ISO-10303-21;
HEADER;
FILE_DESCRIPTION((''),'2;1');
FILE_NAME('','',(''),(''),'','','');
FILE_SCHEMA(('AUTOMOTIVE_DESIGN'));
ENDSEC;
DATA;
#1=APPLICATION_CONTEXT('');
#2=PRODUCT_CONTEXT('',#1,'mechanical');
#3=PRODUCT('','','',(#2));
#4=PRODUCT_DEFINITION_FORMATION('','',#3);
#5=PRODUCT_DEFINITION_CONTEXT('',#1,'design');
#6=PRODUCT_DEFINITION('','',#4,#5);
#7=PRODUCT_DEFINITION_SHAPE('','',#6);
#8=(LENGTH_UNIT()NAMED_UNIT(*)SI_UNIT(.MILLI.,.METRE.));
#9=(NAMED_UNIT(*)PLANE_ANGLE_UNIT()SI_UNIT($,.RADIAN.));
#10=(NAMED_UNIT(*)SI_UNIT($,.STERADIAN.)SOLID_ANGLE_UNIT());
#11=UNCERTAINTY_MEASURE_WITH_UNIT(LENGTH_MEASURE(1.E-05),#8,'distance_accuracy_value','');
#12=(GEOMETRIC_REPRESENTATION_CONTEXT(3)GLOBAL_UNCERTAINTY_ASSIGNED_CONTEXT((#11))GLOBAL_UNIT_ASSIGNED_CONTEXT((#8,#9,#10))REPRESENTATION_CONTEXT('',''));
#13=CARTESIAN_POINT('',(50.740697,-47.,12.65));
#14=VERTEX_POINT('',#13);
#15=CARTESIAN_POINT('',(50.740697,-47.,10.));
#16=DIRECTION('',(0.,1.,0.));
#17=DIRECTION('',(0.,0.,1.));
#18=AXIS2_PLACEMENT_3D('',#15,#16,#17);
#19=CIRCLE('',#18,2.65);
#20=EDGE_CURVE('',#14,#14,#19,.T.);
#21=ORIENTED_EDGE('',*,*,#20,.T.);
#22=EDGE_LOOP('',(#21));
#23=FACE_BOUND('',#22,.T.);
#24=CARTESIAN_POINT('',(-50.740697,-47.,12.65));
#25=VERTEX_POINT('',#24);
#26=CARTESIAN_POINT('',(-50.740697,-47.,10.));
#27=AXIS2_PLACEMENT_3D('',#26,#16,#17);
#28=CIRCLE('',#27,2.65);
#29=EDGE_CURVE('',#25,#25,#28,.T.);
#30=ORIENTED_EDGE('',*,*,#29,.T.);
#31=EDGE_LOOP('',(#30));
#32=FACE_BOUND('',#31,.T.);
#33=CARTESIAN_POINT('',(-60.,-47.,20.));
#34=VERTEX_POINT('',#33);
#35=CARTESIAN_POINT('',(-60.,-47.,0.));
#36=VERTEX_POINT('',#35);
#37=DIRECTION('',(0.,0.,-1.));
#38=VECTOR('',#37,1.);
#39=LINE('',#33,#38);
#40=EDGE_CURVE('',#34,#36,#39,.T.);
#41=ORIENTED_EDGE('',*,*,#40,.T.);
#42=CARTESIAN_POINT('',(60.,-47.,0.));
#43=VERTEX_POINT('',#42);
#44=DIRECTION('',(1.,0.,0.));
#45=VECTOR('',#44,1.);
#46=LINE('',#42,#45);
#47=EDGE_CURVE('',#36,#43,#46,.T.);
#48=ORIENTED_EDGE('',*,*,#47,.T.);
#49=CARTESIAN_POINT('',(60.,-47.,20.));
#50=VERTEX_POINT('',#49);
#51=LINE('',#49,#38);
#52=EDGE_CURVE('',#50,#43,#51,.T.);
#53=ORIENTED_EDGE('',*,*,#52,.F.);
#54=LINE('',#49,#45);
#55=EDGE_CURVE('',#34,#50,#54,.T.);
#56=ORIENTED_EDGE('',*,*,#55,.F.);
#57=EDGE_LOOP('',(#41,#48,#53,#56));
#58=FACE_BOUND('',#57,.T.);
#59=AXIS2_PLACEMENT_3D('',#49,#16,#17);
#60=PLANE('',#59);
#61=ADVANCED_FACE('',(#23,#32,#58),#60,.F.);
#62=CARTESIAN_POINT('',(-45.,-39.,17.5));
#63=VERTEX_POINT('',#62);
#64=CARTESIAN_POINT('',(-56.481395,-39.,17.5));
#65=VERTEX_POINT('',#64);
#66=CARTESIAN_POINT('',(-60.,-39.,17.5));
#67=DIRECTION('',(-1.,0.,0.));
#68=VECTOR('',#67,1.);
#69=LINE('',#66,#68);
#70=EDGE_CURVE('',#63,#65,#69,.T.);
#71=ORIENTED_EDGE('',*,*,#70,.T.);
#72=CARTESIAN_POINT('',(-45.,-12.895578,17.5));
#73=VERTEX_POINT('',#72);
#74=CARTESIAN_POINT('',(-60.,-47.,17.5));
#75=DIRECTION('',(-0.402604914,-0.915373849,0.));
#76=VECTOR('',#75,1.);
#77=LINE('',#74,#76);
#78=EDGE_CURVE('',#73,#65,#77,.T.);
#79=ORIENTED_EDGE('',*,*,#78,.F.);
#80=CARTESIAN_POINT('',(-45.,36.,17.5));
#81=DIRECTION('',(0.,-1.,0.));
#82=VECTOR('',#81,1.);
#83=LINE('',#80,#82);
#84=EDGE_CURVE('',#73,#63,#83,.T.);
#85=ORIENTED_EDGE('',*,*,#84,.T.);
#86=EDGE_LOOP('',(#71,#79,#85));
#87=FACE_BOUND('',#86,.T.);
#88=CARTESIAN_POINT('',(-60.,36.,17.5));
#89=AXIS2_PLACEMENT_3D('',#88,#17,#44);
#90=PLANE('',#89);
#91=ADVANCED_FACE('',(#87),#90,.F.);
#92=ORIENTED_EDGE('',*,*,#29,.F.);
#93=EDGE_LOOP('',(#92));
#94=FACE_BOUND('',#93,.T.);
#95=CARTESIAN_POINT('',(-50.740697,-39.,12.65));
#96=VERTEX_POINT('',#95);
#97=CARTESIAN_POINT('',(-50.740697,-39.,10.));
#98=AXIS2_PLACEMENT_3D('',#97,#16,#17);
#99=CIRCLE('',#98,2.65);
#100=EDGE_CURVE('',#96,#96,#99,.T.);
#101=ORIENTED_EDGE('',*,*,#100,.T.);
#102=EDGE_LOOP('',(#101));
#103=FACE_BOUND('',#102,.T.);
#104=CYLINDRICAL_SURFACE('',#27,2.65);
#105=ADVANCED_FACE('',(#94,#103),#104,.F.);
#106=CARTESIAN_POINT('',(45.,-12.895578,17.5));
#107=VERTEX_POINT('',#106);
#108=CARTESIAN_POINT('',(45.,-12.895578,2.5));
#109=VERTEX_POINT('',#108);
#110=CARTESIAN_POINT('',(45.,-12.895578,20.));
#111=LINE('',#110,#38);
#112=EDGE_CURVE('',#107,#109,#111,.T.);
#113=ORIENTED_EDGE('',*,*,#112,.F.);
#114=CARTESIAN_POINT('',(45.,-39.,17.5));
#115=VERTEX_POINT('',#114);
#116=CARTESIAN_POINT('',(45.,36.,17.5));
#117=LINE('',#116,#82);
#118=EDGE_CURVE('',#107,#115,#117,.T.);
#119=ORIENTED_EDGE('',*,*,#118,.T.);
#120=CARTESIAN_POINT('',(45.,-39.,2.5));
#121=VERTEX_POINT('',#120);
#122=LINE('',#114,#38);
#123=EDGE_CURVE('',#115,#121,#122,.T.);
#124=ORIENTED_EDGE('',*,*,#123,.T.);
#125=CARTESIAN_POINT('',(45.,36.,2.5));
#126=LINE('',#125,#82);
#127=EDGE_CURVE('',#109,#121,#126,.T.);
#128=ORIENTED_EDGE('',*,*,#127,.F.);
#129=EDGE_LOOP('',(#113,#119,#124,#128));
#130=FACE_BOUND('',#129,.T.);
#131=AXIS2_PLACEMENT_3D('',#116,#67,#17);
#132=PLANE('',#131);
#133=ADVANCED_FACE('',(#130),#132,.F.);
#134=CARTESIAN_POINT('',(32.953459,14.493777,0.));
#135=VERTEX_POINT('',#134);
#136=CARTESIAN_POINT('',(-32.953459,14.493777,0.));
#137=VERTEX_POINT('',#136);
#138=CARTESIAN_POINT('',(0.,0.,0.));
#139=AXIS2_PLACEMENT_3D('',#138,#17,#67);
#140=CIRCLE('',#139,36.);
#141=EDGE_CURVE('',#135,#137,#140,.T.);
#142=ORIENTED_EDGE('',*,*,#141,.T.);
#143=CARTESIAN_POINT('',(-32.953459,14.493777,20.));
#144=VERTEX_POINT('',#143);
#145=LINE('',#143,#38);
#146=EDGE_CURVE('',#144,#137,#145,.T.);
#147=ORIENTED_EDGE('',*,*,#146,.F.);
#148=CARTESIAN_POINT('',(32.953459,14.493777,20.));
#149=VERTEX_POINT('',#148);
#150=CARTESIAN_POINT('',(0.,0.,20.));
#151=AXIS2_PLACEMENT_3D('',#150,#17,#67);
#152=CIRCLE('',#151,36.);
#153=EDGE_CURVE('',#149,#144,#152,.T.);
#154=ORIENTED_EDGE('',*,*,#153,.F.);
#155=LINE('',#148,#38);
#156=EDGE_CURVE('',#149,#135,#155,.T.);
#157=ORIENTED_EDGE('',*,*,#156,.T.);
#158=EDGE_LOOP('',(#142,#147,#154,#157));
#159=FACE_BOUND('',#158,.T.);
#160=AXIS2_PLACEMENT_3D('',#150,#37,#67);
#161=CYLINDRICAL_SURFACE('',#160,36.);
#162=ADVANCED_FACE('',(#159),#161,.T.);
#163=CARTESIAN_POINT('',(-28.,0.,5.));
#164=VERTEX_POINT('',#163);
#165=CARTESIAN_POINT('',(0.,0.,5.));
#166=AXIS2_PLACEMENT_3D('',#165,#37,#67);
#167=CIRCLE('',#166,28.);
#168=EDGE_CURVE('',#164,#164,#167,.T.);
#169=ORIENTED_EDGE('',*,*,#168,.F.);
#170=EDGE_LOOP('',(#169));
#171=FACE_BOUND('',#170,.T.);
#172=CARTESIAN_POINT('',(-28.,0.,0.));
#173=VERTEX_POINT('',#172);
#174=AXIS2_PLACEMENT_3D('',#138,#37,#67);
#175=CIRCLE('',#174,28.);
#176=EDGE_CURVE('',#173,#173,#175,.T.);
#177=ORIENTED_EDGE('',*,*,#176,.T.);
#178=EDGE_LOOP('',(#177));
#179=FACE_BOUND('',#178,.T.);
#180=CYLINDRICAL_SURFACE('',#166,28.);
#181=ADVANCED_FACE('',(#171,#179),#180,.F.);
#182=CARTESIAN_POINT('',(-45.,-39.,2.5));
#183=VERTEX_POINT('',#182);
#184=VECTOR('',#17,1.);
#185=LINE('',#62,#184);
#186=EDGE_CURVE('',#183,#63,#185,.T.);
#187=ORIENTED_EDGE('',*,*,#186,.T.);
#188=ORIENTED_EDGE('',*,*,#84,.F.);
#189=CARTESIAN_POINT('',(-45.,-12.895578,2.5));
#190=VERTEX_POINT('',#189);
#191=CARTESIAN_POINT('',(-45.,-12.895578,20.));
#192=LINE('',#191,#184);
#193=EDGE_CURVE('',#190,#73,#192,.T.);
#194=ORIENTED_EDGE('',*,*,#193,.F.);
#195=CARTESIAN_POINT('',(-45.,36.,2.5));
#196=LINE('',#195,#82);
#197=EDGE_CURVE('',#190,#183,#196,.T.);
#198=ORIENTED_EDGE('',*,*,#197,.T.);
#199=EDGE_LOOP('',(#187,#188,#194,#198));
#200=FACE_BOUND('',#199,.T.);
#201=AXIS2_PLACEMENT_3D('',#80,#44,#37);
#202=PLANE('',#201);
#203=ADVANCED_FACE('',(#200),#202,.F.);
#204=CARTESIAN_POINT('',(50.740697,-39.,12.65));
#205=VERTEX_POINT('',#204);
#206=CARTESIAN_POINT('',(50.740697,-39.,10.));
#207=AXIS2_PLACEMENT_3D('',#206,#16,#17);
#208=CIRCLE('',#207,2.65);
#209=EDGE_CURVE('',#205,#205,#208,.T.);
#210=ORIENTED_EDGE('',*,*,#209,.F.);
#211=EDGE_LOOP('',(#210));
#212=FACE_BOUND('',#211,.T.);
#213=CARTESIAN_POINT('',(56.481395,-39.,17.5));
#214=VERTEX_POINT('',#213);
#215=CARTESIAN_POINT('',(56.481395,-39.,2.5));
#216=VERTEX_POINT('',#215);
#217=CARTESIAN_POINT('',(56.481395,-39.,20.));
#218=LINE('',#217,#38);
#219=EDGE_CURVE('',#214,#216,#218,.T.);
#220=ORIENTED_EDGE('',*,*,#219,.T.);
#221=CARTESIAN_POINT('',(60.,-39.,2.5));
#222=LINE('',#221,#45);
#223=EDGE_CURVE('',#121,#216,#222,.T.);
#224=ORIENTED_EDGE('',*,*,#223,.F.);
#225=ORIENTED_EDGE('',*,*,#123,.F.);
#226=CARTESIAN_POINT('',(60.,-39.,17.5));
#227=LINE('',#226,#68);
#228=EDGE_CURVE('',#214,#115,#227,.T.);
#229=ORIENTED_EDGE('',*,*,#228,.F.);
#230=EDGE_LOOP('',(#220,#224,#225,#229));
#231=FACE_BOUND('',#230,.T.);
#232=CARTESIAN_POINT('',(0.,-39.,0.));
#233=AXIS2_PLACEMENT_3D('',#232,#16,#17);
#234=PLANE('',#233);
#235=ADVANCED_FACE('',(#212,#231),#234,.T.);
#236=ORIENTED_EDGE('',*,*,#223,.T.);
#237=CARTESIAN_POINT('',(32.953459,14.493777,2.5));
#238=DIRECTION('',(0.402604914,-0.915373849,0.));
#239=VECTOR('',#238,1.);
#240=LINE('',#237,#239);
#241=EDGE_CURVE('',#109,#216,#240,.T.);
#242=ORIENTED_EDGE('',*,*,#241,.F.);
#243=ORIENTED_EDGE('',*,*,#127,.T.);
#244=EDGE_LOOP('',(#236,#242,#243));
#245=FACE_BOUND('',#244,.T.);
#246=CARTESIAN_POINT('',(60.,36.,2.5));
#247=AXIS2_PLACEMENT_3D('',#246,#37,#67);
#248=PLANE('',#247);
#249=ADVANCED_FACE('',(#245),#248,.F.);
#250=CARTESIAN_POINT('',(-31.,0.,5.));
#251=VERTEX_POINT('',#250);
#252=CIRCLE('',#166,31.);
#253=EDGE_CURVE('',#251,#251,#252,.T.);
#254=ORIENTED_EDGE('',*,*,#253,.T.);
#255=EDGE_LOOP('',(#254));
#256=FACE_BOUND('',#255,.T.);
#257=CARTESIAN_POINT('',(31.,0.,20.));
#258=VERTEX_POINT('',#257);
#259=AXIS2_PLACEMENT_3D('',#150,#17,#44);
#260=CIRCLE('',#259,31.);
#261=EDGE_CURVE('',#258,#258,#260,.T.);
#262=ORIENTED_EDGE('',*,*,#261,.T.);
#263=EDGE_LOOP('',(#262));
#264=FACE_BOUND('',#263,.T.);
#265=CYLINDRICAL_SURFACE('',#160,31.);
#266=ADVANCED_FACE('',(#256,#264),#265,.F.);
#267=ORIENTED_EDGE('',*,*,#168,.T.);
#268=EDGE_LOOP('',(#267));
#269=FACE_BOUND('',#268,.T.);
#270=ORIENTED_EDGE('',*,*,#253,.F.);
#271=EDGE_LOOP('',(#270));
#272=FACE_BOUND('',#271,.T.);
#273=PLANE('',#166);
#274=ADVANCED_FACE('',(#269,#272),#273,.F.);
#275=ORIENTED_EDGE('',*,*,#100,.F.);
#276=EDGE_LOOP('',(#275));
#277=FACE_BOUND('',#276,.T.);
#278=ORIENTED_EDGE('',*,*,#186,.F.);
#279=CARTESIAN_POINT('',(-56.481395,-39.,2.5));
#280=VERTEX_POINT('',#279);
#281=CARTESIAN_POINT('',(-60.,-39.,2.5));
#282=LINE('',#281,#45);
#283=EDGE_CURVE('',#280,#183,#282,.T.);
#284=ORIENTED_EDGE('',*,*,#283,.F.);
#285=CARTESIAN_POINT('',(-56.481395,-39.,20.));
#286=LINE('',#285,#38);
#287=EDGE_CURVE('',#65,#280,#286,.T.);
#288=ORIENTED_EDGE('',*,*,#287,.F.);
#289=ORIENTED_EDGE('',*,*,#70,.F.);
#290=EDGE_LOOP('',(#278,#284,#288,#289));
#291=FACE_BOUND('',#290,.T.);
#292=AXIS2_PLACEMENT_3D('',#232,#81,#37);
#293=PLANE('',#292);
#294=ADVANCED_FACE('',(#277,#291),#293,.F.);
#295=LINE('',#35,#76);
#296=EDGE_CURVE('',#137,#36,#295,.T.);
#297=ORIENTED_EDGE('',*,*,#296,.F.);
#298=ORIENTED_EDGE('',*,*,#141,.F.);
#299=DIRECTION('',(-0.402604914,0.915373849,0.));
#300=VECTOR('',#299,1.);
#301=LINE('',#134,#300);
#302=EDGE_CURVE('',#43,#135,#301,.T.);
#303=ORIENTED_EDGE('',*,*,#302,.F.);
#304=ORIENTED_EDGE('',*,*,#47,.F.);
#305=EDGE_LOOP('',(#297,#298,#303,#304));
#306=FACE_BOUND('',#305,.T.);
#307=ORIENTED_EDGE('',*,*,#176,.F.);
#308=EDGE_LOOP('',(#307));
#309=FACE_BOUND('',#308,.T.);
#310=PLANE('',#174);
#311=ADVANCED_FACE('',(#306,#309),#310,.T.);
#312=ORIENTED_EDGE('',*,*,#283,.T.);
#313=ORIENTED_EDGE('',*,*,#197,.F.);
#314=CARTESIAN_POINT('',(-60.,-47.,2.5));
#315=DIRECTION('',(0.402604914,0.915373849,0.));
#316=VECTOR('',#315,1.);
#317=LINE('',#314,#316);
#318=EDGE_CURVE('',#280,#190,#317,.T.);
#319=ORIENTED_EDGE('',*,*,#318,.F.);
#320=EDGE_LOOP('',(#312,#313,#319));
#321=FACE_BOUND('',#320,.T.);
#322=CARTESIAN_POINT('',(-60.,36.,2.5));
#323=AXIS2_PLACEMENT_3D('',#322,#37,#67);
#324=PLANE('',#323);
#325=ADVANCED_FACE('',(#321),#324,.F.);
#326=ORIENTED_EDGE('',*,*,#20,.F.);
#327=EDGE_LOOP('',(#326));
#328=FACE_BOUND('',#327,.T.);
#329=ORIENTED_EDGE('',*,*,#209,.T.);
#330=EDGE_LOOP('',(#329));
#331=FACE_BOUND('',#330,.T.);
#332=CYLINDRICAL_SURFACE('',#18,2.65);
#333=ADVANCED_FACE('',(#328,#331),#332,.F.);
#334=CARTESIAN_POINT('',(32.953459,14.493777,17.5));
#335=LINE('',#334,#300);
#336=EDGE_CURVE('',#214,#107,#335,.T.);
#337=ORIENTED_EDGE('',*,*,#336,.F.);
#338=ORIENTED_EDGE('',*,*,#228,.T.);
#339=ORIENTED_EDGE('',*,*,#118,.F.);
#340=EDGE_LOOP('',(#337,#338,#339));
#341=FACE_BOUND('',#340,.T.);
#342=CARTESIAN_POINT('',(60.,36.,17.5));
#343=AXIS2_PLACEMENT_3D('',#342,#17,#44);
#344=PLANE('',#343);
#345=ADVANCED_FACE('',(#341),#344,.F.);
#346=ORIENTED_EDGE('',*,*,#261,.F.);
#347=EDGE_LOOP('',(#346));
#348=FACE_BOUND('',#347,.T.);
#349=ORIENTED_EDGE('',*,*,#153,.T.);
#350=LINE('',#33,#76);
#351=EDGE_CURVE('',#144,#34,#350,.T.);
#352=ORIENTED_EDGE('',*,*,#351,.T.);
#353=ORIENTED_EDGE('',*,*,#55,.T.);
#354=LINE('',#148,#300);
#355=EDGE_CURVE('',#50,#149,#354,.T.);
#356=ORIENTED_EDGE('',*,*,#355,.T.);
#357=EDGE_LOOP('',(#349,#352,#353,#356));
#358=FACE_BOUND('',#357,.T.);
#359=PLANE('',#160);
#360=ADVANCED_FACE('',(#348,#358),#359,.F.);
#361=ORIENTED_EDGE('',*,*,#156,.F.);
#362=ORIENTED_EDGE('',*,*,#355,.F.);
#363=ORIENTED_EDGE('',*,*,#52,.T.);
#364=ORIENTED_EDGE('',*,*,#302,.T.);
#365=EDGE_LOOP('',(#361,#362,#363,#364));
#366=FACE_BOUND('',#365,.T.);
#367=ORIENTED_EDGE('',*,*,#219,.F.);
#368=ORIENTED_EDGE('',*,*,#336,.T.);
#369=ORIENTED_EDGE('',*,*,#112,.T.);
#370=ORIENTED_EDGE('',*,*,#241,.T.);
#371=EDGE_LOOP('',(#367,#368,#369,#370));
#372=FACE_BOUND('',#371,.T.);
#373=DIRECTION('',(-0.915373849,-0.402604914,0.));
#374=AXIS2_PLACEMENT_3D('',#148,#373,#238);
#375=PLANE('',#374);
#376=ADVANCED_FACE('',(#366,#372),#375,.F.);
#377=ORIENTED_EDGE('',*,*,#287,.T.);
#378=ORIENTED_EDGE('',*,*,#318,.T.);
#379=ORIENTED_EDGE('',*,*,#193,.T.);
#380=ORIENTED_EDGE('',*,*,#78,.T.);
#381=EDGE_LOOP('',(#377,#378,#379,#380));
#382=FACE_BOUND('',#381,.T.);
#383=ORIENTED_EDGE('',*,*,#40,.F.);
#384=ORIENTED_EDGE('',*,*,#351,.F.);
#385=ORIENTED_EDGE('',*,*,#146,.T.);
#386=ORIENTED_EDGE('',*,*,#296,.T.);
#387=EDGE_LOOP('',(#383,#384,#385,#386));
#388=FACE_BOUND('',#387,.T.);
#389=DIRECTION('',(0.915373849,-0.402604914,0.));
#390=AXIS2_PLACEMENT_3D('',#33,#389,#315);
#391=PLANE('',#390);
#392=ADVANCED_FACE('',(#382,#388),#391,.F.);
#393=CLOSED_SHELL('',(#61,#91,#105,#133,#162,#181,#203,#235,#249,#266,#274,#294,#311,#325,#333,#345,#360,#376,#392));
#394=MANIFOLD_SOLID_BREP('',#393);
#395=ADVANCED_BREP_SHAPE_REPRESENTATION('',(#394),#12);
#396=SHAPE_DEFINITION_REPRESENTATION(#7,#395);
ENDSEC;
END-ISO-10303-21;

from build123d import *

# Parameters (mm, degrees)
SKETCH2_R           = 31
BOSS_EXTRUDE1_DEPTH = 20
SKETCH3_R           = 31
SKETCH3_R_2         = 28
BOSS_EXTRUDE2_DEPTH = 5
CUT_EXTRUDE1_START  = -8
SKETCH4_W           = 15
SKETCH4_H           = 15
CUT_EXTRUDE1_DEPTH  = 76
SKETCH5_R           = 2.65
CUT_EXTRUDE2_DEPTH  = 9


with BuildPart() as part:
    # Sketch2 → Boss-Extrude1 (new body)
    with BuildSketch(Plane.XY):
        with BuildLine():
            Line((-60, -47), (-32.953458565, 14.493776892))
            ThreePointArc((-32.953458565, 14.493776892), (0, 36), (32.953458565, 14.493776892))
            Line((32.953458565, 14.493776892), (60, -47))
            Line((60, -47), (-60, -47))
        make_face()
        Circle(SKETCH2_R, mode=Mode.SUBTRACT)
    extrude(amount=BOSS_EXTRUDE1_DEPTH)

    # Sketch3 → Boss-Extrude2 (add)
    with BuildSketch(Plane(origin=(0, 0, 0), x_dir=(-1, 0, 0), z_dir=(0, 0, -1))):
        Circle(SKETCH3_R)
        Circle(SKETCH3_R_2, mode=Mode.SUBTRACT)
    extrude(amount=-BOSS_EXTRUDE2_DEPTH)

    # Sketch4 → Cut-Extrude1 (cut, through all)
    with BuildSketch(Plane.XZ.offset(47).offset(CUT_EXTRUDE1_START)):
        with Locations((-52.5, 10)):
            Rectangle(SKETCH4_W, SKETCH4_H)
        with Locations((52.5, 10)):
            Rectangle(SKETCH4_W, SKETCH4_H)
    extrude(amount=-CUT_EXTRUDE1_DEPTH, mode=Mode.SUBTRACT)

    # Sketch5 → Cut-Extrude2 (cut, through all)
    with BuildSketch(Plane(origin=(0, -39, 0), x_dir=(1, 0, 0), z_dir=(0, 1, 0))):
        with Locations((-50.740697332, -10)):
            Circle(SKETCH5_R)
        with Locations((50.740697332, -10)):
            Circle(SKETCH5_R)
    extrude(amount=-CUT_EXTRUDE2_DEPTH, mode=Mode.SUBTRACT)


solid = part.part
